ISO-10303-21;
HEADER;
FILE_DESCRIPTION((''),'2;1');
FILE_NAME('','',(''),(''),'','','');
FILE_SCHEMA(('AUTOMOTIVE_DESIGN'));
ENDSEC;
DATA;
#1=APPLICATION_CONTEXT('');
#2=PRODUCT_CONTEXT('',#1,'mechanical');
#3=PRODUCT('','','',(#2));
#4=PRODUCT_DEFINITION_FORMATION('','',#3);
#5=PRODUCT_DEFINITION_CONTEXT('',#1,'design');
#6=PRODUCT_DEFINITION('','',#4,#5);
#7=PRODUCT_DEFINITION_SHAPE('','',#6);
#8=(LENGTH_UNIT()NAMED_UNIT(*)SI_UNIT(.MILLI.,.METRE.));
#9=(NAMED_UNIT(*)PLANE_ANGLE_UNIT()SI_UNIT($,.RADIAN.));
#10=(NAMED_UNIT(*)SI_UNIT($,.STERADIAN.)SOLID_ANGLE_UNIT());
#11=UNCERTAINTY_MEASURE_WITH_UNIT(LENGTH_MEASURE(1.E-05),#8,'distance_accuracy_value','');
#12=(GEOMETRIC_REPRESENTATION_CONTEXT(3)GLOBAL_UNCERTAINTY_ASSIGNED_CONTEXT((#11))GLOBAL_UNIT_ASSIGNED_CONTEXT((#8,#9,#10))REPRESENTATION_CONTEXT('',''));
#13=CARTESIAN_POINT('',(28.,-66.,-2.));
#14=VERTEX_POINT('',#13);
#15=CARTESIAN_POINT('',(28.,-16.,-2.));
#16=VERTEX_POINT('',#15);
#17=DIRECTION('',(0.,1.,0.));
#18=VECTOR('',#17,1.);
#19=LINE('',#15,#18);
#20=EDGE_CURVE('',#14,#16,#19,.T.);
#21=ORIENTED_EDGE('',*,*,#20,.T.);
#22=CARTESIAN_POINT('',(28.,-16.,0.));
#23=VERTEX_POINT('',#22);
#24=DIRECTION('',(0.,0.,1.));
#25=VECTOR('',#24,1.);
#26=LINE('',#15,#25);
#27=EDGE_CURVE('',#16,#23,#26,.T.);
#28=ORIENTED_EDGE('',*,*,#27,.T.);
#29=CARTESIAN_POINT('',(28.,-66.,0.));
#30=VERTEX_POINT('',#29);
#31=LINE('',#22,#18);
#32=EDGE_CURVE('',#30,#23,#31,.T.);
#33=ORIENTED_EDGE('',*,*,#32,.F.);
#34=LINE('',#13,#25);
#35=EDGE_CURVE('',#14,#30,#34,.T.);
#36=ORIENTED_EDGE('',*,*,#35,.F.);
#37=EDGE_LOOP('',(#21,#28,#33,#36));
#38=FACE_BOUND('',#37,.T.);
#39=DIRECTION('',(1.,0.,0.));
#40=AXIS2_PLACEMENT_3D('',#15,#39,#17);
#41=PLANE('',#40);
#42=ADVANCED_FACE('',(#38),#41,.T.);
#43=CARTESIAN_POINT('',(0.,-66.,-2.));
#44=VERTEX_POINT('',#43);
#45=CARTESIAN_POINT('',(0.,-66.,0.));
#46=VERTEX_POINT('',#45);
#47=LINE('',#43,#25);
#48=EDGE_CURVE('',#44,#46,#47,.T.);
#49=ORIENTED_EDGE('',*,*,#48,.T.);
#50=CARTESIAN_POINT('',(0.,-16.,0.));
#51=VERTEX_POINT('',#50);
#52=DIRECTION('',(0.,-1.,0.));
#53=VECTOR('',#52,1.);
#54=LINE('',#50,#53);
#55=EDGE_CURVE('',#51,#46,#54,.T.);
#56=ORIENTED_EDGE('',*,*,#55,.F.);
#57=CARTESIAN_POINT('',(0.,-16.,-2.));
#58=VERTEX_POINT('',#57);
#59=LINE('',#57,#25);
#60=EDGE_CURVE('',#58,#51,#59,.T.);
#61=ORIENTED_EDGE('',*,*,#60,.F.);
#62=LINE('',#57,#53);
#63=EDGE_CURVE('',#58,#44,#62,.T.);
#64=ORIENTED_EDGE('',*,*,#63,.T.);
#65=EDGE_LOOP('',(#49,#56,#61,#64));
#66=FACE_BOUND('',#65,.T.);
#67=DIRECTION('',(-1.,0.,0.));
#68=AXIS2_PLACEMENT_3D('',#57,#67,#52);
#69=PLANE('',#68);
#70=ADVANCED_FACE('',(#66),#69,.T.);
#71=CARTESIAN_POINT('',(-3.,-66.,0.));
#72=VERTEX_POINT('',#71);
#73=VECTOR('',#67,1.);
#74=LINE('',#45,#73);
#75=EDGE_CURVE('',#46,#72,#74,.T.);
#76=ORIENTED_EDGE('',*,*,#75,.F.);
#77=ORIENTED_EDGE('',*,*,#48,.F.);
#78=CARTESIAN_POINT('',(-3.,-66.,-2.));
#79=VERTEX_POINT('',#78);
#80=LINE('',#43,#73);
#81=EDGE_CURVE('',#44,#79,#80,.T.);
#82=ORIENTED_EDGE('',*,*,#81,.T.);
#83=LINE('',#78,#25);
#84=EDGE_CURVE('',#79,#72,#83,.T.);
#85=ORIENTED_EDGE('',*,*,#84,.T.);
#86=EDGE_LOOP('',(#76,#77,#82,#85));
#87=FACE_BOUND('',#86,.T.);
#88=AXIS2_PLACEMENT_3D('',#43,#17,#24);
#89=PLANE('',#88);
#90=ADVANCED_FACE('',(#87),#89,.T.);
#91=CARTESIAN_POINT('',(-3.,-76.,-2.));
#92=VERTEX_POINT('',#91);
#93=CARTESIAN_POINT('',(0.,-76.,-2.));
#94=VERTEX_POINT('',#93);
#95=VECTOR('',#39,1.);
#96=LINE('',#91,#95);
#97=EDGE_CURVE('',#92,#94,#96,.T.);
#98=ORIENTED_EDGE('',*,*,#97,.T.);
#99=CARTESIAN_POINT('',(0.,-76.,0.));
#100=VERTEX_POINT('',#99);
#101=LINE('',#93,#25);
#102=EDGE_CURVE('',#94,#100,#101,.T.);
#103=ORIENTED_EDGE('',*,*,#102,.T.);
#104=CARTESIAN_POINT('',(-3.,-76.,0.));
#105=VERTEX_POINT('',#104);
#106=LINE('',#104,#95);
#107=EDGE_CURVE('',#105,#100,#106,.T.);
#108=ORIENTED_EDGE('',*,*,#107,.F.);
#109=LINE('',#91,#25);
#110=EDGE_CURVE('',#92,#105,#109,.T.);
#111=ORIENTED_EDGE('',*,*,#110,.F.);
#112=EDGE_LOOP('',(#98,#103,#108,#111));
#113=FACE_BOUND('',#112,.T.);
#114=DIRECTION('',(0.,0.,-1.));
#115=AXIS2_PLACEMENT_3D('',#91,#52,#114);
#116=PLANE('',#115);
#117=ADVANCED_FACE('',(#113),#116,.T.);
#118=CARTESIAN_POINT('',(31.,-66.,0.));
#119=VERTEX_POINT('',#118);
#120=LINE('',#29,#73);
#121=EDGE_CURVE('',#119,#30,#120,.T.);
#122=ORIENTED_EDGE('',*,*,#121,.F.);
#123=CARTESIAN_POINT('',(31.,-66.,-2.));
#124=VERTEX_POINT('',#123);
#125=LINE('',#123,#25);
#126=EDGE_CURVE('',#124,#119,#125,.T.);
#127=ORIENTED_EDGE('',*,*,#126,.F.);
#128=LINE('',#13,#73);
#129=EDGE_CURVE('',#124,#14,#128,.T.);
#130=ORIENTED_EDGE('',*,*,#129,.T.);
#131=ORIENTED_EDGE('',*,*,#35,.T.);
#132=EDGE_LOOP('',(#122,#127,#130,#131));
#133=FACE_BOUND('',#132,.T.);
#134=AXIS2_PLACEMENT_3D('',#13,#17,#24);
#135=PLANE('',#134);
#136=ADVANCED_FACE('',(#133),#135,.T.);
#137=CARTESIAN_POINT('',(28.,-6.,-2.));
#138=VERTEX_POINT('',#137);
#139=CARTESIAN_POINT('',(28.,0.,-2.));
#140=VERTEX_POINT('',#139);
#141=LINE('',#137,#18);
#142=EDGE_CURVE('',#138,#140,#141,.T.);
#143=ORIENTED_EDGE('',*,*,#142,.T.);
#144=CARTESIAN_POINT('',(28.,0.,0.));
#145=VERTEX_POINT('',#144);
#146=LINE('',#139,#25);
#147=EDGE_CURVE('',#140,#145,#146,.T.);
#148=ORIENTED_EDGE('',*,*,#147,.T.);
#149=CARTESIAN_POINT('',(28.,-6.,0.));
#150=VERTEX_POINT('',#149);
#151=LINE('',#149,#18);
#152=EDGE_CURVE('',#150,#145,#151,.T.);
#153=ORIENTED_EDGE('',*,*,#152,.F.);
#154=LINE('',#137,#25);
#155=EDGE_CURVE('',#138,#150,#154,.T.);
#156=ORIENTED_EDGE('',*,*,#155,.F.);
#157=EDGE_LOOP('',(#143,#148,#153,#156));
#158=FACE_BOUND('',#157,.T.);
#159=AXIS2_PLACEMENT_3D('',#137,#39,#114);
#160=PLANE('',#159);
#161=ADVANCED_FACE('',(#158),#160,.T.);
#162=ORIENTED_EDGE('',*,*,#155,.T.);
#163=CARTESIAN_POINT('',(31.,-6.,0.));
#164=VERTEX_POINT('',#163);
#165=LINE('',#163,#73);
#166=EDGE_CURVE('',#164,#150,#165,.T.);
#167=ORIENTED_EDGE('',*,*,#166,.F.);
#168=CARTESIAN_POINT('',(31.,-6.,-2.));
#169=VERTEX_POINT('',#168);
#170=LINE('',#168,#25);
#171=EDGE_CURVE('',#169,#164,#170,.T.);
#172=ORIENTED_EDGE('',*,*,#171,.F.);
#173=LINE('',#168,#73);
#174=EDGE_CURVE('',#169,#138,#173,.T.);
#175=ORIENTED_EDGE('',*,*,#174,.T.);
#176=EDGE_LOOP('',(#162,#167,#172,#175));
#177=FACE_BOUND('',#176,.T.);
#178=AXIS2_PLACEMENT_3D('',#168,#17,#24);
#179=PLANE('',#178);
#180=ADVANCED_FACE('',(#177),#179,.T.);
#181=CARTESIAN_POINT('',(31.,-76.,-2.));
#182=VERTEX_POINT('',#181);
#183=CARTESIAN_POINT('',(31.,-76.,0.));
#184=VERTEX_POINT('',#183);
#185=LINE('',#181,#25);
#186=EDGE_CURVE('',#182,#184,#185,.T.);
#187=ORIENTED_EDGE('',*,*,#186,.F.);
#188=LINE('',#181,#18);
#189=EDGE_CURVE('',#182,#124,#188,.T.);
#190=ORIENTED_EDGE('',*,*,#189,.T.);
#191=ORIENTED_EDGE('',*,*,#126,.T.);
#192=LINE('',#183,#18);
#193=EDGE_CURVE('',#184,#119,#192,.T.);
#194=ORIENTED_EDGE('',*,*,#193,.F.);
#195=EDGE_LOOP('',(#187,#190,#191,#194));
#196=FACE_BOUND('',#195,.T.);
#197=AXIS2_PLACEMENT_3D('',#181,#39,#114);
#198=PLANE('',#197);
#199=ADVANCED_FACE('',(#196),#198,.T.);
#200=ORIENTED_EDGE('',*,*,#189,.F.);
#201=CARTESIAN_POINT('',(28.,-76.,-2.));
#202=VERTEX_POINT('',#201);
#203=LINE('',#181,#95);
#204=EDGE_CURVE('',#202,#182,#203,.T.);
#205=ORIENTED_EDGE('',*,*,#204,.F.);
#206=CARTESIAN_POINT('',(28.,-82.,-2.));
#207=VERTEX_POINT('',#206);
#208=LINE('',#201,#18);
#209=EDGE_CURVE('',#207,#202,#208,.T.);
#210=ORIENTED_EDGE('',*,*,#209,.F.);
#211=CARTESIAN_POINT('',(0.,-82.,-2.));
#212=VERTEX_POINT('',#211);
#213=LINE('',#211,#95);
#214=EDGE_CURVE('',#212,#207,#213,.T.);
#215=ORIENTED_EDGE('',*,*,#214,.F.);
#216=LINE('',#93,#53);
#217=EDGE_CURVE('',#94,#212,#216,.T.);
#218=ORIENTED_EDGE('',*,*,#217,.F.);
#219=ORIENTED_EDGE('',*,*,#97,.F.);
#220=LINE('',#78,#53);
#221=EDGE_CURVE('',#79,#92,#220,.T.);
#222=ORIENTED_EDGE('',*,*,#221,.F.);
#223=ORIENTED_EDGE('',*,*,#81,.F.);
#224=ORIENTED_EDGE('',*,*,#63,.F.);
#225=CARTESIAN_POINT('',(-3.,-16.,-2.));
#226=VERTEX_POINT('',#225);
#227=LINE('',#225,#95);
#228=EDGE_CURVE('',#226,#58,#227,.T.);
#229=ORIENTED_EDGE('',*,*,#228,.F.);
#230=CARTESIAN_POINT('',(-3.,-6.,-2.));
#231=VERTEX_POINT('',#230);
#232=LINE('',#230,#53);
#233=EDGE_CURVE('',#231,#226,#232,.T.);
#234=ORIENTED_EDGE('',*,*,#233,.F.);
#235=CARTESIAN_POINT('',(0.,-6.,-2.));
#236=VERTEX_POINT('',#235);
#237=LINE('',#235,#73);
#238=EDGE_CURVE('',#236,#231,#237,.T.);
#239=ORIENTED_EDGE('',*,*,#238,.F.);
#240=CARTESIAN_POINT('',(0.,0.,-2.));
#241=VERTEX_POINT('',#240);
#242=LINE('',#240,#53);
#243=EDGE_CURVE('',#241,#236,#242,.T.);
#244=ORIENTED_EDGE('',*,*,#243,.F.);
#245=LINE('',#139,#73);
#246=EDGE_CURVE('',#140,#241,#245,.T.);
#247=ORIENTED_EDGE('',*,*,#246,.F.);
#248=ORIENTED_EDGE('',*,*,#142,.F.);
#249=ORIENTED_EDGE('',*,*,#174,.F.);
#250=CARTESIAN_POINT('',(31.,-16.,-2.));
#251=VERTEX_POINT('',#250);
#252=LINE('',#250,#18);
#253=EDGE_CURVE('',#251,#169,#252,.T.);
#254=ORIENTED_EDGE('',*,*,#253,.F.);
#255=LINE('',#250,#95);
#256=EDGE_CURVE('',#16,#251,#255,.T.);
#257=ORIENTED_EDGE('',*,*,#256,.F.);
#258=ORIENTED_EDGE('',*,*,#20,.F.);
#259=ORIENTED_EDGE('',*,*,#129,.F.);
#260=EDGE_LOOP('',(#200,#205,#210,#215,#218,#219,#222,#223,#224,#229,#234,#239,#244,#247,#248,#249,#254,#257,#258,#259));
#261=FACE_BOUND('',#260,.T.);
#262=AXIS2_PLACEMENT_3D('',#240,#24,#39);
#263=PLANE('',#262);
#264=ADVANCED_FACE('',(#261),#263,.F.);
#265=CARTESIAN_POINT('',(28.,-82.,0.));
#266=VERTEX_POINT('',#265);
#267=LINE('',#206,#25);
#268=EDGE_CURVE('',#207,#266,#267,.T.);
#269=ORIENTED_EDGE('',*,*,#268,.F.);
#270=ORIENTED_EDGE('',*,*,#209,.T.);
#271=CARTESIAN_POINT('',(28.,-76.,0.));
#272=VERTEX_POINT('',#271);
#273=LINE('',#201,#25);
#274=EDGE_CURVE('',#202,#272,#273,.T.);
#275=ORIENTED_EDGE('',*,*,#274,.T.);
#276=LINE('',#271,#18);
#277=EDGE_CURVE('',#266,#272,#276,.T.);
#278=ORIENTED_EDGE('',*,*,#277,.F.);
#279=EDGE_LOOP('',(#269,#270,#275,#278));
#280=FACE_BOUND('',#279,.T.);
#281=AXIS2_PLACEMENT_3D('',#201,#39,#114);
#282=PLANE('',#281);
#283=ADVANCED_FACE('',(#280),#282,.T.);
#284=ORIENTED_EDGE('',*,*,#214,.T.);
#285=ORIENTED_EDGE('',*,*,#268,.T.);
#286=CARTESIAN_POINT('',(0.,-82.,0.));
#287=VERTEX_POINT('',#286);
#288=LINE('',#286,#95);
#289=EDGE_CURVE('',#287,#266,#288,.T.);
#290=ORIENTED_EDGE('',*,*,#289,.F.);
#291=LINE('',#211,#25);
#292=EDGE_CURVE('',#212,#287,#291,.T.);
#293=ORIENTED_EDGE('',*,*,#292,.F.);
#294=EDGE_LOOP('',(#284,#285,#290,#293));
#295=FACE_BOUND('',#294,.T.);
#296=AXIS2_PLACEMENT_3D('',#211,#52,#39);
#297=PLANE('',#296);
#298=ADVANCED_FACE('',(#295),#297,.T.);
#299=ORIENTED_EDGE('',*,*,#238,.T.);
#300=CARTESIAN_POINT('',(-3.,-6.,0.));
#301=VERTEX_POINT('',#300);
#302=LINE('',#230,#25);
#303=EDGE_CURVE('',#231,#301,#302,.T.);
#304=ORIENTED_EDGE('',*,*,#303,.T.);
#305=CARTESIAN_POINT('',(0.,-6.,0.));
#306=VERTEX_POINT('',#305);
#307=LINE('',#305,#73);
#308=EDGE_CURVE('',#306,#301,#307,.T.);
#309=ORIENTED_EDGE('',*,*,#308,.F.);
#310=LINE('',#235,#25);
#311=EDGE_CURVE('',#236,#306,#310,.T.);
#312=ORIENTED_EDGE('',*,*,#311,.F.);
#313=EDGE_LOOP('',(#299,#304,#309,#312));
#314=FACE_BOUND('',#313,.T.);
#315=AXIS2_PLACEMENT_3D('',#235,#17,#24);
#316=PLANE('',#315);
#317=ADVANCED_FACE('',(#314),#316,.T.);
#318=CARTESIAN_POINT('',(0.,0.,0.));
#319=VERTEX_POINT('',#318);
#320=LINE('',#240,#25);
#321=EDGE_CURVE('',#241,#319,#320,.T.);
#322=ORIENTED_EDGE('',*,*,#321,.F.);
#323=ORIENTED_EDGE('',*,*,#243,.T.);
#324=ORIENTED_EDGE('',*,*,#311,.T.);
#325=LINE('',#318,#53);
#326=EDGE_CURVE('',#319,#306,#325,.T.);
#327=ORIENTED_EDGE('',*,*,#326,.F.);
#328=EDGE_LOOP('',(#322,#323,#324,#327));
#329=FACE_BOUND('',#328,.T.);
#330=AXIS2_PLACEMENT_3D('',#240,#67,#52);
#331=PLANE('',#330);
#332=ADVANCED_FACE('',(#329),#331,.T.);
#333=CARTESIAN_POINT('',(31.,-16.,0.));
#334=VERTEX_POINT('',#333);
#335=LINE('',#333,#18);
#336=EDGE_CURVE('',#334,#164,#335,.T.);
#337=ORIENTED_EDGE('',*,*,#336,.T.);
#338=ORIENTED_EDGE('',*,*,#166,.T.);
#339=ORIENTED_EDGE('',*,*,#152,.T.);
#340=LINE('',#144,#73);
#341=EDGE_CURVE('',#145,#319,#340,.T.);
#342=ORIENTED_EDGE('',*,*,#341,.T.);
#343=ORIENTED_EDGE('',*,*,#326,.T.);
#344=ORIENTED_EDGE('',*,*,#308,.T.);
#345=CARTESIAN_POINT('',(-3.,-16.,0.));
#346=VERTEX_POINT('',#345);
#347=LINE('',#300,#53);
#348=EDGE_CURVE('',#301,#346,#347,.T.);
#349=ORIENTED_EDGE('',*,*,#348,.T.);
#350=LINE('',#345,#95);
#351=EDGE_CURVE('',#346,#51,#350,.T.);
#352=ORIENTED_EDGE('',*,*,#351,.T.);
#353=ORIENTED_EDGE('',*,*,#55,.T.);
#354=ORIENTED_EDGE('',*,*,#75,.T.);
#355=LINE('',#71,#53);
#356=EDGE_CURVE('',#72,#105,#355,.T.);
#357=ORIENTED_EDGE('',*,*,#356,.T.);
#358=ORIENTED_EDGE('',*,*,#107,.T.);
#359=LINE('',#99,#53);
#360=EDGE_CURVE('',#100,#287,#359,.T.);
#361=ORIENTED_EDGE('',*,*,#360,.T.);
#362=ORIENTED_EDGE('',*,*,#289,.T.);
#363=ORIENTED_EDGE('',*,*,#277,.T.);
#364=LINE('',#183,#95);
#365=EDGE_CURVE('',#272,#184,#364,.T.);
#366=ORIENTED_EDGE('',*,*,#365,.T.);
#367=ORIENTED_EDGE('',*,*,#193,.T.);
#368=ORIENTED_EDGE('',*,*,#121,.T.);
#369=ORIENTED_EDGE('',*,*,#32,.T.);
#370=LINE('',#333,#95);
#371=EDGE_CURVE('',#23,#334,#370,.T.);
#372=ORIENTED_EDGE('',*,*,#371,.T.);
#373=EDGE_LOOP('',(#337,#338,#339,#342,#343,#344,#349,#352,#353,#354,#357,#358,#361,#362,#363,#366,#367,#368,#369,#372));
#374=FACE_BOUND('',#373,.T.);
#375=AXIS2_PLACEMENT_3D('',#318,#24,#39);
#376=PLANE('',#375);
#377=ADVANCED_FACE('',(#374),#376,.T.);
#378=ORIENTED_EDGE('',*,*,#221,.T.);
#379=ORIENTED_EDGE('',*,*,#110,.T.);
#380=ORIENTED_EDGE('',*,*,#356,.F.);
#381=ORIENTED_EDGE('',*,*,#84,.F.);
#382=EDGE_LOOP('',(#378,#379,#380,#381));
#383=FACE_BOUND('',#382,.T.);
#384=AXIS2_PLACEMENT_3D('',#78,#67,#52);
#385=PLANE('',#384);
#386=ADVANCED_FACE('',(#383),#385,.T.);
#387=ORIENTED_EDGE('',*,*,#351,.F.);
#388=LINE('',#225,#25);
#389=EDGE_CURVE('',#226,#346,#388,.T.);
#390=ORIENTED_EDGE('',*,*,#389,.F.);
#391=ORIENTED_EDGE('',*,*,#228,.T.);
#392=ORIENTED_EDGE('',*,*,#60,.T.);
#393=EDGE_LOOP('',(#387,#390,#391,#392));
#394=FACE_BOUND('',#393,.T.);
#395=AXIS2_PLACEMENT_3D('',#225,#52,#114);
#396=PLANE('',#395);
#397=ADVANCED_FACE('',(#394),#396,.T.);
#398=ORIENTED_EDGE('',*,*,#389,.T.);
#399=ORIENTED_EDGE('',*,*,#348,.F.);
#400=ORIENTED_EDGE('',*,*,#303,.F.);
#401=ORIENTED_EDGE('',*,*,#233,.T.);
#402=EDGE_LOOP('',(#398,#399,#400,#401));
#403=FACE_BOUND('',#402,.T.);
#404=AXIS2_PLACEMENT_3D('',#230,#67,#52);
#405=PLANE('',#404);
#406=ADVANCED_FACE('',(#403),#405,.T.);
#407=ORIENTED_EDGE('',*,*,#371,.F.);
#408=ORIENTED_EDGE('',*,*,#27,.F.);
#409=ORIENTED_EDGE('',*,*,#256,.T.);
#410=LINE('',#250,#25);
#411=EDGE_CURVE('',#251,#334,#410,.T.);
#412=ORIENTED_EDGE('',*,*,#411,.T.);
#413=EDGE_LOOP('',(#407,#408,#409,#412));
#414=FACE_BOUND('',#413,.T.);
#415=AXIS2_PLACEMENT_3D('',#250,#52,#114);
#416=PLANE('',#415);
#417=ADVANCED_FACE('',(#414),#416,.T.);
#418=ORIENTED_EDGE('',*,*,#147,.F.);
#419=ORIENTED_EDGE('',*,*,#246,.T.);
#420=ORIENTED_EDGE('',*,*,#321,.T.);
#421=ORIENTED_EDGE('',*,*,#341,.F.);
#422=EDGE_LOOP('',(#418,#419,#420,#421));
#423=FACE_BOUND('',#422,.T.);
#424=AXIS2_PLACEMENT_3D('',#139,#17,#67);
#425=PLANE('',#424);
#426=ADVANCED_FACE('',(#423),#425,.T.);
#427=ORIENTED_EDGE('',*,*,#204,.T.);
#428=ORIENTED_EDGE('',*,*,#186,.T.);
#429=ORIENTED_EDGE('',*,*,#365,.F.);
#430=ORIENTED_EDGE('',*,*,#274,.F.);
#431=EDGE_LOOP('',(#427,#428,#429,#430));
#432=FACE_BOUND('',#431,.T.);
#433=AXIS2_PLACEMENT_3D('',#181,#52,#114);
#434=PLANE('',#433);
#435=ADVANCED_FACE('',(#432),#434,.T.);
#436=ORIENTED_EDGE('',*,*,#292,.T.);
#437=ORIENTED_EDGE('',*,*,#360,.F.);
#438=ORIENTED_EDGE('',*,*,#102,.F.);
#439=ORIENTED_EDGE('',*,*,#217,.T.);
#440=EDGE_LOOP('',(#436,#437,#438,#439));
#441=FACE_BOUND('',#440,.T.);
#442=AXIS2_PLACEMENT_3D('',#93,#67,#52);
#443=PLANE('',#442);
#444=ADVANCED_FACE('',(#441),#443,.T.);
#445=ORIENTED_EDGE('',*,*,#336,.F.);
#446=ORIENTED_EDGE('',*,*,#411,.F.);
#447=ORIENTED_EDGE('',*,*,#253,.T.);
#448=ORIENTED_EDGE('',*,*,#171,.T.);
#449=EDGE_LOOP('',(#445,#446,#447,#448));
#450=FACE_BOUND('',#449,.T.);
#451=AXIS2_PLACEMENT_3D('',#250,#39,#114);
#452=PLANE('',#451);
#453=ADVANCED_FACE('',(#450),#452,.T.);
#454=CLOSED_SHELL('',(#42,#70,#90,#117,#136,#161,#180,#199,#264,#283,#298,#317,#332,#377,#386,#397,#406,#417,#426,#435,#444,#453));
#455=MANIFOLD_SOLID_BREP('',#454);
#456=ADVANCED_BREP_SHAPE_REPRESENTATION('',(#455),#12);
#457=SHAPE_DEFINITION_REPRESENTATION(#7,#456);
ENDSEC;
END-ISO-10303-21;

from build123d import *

# Parameters (mm, degrees)
SALIENTE_EXTRUIR1_DEPTH = 2


with BuildPart() as part:
    # Croquis1 → Saliente-Extruir1 (new body)
    with BuildSketch(Plane.XY):
        Polygon((0, 0), (0, -6), (-3, -6), (-3, -16), (0, -16), (0, -66), (-3, -66), (-3, -76), (0, -76), (0, -82), (28, -82), (28, -76), (31, -76), (31, -66), (28, -66), (28, -16), (31, -16), (31, -6), (28, -6), (28, 0), align=None)
    extrude(amount=-SALIENTE_EXTRUIR1_DEPTH)


solid = part.part
